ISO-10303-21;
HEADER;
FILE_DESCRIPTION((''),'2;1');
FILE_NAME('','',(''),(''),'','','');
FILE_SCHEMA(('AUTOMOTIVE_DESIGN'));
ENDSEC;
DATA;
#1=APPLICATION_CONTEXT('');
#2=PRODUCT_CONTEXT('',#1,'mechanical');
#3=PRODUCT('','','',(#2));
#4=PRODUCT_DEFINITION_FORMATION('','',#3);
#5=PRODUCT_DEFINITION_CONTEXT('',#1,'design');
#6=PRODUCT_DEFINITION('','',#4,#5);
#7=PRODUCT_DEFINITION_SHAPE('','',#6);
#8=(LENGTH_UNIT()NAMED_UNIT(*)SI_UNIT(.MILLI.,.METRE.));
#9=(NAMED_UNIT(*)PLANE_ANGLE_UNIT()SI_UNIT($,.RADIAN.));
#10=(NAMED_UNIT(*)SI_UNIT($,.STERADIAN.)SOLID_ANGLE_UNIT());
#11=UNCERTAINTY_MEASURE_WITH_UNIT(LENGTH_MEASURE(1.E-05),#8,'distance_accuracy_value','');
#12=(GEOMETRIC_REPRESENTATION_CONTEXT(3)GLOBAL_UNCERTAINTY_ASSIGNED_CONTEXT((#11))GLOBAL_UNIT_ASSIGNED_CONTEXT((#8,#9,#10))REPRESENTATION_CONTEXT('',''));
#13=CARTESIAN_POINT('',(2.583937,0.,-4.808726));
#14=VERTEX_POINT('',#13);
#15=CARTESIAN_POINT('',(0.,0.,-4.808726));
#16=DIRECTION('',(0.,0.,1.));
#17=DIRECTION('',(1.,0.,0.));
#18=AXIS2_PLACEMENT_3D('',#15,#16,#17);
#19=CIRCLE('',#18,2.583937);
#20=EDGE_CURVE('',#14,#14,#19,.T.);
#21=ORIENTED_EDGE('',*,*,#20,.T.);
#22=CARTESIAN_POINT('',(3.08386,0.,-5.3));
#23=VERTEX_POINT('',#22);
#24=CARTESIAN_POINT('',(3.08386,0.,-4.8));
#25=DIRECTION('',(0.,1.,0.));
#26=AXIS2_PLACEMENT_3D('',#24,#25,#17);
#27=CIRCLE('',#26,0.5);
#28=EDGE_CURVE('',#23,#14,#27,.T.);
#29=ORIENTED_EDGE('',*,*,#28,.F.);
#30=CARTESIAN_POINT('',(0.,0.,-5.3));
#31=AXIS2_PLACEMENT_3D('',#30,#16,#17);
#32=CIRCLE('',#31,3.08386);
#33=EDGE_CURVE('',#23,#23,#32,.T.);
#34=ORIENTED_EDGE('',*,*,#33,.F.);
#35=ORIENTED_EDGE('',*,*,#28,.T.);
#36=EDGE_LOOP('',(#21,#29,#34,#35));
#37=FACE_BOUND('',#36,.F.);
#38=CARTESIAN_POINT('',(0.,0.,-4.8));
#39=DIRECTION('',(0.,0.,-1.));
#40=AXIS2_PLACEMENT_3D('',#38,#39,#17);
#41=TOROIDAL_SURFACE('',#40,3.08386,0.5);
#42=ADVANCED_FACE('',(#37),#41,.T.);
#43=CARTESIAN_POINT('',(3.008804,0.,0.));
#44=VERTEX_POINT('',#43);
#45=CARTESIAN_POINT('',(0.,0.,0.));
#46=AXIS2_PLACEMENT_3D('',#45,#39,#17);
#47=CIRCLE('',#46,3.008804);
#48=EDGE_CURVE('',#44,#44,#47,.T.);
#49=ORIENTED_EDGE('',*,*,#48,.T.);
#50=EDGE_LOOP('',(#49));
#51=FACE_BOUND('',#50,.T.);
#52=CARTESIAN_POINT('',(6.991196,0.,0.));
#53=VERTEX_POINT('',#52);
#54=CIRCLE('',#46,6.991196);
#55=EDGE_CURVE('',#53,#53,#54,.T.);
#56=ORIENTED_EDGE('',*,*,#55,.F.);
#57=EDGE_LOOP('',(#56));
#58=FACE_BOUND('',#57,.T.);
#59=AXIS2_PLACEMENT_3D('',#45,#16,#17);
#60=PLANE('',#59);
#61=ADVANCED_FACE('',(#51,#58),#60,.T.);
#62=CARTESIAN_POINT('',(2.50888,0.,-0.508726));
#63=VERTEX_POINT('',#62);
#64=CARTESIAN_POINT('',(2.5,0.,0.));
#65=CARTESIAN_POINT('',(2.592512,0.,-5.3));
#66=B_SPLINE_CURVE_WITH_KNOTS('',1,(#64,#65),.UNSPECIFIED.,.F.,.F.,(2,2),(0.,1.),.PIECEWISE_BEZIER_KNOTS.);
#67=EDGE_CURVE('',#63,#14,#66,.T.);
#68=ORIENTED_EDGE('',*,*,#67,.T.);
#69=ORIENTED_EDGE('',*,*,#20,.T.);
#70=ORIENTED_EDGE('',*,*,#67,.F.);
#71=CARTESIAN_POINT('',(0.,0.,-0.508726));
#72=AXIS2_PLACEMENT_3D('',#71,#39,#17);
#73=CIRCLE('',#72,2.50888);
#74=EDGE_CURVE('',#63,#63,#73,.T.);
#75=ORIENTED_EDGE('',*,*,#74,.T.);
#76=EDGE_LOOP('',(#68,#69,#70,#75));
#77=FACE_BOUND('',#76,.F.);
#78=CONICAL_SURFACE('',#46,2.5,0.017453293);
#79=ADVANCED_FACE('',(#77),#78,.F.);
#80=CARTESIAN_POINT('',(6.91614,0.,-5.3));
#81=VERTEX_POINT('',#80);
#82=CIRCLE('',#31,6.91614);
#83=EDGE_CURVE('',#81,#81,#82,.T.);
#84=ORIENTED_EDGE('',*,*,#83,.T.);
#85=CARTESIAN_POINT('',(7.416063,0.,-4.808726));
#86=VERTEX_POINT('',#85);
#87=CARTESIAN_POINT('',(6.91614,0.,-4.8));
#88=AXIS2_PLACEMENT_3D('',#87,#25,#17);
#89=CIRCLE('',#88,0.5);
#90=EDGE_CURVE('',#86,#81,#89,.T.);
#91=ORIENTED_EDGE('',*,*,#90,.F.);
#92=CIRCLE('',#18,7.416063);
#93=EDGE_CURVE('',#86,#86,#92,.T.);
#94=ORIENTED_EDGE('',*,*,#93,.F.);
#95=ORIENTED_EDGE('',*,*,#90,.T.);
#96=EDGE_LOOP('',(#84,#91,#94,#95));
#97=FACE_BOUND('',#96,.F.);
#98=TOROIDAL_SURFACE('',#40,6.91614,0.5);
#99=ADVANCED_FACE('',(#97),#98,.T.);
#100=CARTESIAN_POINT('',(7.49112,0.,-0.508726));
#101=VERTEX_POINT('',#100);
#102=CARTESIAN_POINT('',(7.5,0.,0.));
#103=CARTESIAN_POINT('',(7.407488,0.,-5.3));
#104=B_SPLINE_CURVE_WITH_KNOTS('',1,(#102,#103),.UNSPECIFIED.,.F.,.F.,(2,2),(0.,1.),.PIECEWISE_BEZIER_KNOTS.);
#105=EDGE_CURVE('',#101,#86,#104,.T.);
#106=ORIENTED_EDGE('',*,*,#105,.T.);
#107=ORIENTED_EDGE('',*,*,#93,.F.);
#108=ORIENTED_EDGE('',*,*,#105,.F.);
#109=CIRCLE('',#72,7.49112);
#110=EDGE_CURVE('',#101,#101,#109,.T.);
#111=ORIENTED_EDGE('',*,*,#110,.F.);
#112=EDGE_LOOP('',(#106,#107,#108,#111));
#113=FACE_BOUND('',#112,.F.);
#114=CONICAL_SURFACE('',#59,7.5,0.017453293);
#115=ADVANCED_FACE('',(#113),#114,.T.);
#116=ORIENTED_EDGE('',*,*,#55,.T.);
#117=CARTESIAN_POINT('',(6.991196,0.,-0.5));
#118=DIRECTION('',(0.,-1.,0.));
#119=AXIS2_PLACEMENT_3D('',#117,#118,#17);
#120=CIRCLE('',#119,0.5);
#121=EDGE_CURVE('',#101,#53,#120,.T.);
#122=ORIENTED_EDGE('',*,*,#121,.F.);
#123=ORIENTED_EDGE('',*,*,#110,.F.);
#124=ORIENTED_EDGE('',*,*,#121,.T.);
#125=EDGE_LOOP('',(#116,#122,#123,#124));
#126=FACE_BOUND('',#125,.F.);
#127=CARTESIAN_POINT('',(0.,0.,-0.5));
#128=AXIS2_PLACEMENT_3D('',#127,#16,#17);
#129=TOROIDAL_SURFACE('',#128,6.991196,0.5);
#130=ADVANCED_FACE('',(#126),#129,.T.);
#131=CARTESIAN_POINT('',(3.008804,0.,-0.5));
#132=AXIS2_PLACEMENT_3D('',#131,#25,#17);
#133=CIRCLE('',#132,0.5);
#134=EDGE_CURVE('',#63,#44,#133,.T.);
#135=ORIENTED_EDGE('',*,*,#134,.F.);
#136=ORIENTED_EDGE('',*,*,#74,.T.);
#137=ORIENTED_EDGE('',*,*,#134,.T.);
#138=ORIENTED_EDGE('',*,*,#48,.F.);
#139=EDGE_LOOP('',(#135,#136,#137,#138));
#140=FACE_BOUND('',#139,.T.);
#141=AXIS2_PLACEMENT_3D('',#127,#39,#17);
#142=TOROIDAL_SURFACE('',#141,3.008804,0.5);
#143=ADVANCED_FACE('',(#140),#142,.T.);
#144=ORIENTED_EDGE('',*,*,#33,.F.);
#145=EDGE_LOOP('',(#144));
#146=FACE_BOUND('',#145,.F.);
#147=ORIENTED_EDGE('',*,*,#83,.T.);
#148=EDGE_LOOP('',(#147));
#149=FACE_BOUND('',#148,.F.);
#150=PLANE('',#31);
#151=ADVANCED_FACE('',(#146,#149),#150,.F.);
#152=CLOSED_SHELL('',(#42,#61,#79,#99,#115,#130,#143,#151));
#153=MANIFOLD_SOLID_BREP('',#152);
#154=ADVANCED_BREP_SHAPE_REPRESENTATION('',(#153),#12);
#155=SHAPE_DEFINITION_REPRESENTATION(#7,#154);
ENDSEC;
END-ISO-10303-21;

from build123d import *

# Parameters (mm, degrees)
F0_R     = 7.5
F0_R_2   = 2.5
F1_DEPTH = 5.3
F1_TAPER = 1
F2_R     = 0.5


with BuildPart() as f1:
    # F0 (on Top) → F1 (new body)
    with BuildSketch(Plane.XY):
        Circle(F0_R)
        Circle(F0_R_2, mode=Mode.SUBTRACT)
    extrude(amount=-F1_DEPTH, taper=F1_TAPER)

    # F2
    f2_edges = [f1.edges().sort_by_distance(p)[0] for p in [
        (-7.407488, 0, -5.3),
        (-2.592512, 0, -5.3),
        (-7.5, 0, 0),
        (-2.5, 0, 0),
    ]]
    fillet(f2_edges, radius=F2_R)


solid = f1.part
